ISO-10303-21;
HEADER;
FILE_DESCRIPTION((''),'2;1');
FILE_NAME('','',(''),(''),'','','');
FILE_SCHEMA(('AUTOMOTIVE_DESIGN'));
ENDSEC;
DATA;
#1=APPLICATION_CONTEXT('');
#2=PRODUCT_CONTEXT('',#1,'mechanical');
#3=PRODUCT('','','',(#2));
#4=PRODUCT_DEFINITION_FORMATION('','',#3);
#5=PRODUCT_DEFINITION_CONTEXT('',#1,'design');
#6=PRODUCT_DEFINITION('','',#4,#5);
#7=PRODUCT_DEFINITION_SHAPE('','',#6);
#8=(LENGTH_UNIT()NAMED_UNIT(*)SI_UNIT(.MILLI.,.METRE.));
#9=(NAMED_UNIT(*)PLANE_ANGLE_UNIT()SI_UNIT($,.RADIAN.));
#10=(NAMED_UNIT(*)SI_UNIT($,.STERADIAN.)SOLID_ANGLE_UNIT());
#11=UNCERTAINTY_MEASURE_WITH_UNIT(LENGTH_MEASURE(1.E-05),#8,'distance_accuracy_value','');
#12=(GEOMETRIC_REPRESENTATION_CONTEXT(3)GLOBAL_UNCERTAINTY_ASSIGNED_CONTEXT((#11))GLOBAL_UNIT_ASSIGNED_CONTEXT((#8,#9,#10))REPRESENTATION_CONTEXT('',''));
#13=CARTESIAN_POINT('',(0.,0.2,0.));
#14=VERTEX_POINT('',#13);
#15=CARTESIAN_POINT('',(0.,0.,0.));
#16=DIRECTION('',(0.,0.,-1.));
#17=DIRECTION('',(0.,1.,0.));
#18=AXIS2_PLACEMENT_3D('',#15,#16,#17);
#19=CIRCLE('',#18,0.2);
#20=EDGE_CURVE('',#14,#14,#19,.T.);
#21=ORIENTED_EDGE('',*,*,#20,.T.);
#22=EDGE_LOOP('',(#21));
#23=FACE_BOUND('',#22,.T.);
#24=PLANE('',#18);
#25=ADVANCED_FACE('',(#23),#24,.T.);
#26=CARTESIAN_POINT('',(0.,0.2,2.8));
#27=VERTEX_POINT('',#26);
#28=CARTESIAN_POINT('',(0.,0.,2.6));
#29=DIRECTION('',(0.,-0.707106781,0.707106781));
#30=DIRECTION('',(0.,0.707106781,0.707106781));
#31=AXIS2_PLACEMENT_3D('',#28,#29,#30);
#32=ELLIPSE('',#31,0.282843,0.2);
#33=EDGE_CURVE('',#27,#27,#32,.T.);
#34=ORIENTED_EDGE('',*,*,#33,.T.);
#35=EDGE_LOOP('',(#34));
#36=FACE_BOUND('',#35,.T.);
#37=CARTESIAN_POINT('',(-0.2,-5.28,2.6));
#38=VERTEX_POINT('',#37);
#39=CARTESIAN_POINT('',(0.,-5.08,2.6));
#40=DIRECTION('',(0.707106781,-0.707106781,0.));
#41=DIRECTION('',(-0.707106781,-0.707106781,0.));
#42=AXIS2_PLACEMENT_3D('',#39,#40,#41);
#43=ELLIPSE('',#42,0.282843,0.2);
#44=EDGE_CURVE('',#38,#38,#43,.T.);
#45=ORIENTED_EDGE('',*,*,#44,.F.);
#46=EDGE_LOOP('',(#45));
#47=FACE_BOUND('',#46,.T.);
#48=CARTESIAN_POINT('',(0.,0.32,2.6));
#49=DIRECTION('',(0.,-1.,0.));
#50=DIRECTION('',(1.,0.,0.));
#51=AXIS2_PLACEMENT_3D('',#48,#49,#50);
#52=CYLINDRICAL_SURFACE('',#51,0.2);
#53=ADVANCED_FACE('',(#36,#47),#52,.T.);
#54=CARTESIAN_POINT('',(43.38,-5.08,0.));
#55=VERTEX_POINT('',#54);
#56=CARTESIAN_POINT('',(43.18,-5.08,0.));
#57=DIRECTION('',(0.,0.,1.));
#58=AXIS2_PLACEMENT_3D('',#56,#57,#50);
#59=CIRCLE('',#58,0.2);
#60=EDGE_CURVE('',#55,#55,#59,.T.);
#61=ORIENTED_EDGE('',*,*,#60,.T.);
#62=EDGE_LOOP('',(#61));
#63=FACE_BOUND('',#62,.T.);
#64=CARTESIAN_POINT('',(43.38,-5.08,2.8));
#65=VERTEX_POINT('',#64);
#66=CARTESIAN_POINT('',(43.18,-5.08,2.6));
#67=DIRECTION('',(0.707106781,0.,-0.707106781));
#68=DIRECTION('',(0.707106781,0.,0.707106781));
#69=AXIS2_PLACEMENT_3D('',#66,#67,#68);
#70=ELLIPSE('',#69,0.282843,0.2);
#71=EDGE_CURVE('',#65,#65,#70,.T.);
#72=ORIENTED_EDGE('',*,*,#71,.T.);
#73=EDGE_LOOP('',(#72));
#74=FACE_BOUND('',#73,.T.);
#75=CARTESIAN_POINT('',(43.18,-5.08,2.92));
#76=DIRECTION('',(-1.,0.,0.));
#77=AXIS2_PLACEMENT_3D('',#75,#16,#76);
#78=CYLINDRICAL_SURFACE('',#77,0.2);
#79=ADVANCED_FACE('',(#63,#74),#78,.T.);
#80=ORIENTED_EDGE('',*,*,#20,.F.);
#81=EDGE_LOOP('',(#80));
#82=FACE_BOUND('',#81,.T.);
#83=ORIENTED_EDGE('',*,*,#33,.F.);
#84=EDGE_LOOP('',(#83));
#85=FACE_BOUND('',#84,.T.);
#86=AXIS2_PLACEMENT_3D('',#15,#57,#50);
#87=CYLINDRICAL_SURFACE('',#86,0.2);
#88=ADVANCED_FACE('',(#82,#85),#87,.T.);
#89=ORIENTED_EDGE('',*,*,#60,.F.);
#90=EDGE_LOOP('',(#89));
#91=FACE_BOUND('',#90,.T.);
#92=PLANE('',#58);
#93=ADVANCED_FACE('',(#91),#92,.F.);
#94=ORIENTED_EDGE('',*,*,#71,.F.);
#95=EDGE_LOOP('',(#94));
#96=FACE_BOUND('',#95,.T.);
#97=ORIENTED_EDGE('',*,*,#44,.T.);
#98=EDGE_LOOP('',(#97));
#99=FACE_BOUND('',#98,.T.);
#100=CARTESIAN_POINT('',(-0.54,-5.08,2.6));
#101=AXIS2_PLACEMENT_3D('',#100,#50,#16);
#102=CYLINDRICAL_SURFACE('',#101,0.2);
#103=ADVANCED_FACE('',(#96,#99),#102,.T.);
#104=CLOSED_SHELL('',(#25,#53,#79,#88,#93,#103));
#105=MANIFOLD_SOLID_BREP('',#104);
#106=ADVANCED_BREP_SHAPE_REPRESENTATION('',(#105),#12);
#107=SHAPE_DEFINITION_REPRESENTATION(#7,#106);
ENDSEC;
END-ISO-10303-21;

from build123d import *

# Parameters (mm, degrees)
SWEEP1_PROFILE_R = 0.2


with BuildPart() as part:
    # Sweep1: sweep along a curve in space
    with BuildLine() as sweep1_path:
        Line((0, 0, 0), (0, 0, 2.6))
        Line((0, 0, 2.6), (0, -5.08, 2.6))
        Line((0, -5.08, 2.6), (43.18, -5.08, 2.6))
        Line((43.18, -5.08, 2.6), (43.18, -5.08, 0))
    # Sweep1 profile (on start of the path) → Sweep1 (sweep)
    with BuildSketch(Plane.XY):
        Circle(SWEEP1_PROFILE_R)
    sweep(path=sweep1_path.line, transition=Transition.RIGHT)


solid = part.part
